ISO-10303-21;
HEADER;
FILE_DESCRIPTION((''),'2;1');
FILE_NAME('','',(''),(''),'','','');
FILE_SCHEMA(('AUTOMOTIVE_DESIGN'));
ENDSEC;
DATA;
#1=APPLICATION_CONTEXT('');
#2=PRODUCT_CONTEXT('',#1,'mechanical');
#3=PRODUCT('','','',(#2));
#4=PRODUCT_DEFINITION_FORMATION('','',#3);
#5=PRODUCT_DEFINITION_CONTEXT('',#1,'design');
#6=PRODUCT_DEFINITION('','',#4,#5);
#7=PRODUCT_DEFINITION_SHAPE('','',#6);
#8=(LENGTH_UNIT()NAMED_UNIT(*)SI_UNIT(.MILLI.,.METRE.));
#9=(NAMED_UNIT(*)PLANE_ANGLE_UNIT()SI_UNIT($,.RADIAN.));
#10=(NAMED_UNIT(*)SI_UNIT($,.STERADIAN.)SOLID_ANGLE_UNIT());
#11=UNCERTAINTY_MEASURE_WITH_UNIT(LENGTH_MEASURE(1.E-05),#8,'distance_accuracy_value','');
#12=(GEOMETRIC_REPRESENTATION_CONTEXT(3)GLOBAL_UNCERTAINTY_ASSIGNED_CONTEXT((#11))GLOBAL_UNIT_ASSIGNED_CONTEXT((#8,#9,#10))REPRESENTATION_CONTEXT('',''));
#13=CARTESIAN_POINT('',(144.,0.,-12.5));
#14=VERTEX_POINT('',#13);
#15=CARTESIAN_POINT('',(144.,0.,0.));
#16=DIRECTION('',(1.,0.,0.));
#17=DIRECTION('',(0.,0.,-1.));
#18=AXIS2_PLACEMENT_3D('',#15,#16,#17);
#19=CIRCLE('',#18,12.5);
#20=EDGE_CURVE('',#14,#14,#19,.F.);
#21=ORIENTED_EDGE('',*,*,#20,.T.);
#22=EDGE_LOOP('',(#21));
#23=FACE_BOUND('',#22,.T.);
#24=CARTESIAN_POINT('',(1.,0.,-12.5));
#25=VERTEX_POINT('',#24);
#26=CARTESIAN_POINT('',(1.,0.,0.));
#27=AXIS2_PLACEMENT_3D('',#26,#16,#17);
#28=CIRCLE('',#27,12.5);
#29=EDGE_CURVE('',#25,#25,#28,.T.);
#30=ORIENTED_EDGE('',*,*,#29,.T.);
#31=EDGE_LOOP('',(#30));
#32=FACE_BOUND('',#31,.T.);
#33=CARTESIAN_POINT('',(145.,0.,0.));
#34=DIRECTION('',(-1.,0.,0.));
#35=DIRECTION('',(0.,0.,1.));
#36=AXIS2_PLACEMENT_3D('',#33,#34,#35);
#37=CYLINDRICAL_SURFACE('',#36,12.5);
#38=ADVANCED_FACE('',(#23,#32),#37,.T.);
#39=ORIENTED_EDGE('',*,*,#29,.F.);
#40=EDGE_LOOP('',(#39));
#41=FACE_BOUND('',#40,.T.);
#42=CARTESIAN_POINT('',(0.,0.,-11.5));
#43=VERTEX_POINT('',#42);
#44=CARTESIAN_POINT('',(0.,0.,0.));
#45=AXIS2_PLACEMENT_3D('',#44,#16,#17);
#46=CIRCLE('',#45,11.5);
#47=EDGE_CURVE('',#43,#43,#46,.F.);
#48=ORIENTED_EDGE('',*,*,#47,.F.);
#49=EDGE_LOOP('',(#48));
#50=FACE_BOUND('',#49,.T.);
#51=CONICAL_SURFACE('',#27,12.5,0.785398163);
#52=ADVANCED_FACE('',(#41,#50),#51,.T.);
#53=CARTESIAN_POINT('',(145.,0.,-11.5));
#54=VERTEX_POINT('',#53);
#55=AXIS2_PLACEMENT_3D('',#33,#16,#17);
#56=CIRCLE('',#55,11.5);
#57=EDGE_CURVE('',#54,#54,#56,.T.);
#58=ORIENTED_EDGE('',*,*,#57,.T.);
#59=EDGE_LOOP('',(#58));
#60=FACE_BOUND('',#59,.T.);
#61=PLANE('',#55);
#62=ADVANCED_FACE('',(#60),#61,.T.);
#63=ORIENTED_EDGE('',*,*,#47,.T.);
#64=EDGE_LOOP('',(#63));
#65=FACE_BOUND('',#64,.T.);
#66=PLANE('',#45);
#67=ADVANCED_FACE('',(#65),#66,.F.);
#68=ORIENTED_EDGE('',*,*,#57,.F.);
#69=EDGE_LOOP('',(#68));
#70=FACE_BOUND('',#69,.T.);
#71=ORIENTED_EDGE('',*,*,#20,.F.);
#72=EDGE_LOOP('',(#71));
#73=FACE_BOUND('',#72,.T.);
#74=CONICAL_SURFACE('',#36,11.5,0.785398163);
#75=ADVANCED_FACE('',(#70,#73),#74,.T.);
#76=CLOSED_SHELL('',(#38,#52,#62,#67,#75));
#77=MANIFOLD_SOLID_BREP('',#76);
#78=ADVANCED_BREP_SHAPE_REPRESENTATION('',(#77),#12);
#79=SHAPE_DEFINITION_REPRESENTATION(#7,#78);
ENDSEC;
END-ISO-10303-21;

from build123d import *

# Parameters (mm, degrees)
SKETCH1_R           = 12.5
BOSS_EXTRUDE1_DEPTH = 145
CHAMFER1_SIZE       = 1


with BuildPart() as part:
    # Sketch1 → Boss-Extrude1 (new body)
    with BuildSketch(Plane(origin=(0, 0, 0), x_dir=(0, 0, -1), z_dir=(1, 0, 0))):
        Circle(SKETCH1_R)
    extrude(amount=BOSS_EXTRUDE1_DEPTH)

    # Chamfer1
    chamfer1_edges = [part.edges().sort_by_distance(p)[0] for p in [
        (0, 0, 12.5),
        (145, 0, 12.5),
    ]]
    chamfer(chamfer1_edges, length=CHAMFER1_SIZE)


solid = part.part
